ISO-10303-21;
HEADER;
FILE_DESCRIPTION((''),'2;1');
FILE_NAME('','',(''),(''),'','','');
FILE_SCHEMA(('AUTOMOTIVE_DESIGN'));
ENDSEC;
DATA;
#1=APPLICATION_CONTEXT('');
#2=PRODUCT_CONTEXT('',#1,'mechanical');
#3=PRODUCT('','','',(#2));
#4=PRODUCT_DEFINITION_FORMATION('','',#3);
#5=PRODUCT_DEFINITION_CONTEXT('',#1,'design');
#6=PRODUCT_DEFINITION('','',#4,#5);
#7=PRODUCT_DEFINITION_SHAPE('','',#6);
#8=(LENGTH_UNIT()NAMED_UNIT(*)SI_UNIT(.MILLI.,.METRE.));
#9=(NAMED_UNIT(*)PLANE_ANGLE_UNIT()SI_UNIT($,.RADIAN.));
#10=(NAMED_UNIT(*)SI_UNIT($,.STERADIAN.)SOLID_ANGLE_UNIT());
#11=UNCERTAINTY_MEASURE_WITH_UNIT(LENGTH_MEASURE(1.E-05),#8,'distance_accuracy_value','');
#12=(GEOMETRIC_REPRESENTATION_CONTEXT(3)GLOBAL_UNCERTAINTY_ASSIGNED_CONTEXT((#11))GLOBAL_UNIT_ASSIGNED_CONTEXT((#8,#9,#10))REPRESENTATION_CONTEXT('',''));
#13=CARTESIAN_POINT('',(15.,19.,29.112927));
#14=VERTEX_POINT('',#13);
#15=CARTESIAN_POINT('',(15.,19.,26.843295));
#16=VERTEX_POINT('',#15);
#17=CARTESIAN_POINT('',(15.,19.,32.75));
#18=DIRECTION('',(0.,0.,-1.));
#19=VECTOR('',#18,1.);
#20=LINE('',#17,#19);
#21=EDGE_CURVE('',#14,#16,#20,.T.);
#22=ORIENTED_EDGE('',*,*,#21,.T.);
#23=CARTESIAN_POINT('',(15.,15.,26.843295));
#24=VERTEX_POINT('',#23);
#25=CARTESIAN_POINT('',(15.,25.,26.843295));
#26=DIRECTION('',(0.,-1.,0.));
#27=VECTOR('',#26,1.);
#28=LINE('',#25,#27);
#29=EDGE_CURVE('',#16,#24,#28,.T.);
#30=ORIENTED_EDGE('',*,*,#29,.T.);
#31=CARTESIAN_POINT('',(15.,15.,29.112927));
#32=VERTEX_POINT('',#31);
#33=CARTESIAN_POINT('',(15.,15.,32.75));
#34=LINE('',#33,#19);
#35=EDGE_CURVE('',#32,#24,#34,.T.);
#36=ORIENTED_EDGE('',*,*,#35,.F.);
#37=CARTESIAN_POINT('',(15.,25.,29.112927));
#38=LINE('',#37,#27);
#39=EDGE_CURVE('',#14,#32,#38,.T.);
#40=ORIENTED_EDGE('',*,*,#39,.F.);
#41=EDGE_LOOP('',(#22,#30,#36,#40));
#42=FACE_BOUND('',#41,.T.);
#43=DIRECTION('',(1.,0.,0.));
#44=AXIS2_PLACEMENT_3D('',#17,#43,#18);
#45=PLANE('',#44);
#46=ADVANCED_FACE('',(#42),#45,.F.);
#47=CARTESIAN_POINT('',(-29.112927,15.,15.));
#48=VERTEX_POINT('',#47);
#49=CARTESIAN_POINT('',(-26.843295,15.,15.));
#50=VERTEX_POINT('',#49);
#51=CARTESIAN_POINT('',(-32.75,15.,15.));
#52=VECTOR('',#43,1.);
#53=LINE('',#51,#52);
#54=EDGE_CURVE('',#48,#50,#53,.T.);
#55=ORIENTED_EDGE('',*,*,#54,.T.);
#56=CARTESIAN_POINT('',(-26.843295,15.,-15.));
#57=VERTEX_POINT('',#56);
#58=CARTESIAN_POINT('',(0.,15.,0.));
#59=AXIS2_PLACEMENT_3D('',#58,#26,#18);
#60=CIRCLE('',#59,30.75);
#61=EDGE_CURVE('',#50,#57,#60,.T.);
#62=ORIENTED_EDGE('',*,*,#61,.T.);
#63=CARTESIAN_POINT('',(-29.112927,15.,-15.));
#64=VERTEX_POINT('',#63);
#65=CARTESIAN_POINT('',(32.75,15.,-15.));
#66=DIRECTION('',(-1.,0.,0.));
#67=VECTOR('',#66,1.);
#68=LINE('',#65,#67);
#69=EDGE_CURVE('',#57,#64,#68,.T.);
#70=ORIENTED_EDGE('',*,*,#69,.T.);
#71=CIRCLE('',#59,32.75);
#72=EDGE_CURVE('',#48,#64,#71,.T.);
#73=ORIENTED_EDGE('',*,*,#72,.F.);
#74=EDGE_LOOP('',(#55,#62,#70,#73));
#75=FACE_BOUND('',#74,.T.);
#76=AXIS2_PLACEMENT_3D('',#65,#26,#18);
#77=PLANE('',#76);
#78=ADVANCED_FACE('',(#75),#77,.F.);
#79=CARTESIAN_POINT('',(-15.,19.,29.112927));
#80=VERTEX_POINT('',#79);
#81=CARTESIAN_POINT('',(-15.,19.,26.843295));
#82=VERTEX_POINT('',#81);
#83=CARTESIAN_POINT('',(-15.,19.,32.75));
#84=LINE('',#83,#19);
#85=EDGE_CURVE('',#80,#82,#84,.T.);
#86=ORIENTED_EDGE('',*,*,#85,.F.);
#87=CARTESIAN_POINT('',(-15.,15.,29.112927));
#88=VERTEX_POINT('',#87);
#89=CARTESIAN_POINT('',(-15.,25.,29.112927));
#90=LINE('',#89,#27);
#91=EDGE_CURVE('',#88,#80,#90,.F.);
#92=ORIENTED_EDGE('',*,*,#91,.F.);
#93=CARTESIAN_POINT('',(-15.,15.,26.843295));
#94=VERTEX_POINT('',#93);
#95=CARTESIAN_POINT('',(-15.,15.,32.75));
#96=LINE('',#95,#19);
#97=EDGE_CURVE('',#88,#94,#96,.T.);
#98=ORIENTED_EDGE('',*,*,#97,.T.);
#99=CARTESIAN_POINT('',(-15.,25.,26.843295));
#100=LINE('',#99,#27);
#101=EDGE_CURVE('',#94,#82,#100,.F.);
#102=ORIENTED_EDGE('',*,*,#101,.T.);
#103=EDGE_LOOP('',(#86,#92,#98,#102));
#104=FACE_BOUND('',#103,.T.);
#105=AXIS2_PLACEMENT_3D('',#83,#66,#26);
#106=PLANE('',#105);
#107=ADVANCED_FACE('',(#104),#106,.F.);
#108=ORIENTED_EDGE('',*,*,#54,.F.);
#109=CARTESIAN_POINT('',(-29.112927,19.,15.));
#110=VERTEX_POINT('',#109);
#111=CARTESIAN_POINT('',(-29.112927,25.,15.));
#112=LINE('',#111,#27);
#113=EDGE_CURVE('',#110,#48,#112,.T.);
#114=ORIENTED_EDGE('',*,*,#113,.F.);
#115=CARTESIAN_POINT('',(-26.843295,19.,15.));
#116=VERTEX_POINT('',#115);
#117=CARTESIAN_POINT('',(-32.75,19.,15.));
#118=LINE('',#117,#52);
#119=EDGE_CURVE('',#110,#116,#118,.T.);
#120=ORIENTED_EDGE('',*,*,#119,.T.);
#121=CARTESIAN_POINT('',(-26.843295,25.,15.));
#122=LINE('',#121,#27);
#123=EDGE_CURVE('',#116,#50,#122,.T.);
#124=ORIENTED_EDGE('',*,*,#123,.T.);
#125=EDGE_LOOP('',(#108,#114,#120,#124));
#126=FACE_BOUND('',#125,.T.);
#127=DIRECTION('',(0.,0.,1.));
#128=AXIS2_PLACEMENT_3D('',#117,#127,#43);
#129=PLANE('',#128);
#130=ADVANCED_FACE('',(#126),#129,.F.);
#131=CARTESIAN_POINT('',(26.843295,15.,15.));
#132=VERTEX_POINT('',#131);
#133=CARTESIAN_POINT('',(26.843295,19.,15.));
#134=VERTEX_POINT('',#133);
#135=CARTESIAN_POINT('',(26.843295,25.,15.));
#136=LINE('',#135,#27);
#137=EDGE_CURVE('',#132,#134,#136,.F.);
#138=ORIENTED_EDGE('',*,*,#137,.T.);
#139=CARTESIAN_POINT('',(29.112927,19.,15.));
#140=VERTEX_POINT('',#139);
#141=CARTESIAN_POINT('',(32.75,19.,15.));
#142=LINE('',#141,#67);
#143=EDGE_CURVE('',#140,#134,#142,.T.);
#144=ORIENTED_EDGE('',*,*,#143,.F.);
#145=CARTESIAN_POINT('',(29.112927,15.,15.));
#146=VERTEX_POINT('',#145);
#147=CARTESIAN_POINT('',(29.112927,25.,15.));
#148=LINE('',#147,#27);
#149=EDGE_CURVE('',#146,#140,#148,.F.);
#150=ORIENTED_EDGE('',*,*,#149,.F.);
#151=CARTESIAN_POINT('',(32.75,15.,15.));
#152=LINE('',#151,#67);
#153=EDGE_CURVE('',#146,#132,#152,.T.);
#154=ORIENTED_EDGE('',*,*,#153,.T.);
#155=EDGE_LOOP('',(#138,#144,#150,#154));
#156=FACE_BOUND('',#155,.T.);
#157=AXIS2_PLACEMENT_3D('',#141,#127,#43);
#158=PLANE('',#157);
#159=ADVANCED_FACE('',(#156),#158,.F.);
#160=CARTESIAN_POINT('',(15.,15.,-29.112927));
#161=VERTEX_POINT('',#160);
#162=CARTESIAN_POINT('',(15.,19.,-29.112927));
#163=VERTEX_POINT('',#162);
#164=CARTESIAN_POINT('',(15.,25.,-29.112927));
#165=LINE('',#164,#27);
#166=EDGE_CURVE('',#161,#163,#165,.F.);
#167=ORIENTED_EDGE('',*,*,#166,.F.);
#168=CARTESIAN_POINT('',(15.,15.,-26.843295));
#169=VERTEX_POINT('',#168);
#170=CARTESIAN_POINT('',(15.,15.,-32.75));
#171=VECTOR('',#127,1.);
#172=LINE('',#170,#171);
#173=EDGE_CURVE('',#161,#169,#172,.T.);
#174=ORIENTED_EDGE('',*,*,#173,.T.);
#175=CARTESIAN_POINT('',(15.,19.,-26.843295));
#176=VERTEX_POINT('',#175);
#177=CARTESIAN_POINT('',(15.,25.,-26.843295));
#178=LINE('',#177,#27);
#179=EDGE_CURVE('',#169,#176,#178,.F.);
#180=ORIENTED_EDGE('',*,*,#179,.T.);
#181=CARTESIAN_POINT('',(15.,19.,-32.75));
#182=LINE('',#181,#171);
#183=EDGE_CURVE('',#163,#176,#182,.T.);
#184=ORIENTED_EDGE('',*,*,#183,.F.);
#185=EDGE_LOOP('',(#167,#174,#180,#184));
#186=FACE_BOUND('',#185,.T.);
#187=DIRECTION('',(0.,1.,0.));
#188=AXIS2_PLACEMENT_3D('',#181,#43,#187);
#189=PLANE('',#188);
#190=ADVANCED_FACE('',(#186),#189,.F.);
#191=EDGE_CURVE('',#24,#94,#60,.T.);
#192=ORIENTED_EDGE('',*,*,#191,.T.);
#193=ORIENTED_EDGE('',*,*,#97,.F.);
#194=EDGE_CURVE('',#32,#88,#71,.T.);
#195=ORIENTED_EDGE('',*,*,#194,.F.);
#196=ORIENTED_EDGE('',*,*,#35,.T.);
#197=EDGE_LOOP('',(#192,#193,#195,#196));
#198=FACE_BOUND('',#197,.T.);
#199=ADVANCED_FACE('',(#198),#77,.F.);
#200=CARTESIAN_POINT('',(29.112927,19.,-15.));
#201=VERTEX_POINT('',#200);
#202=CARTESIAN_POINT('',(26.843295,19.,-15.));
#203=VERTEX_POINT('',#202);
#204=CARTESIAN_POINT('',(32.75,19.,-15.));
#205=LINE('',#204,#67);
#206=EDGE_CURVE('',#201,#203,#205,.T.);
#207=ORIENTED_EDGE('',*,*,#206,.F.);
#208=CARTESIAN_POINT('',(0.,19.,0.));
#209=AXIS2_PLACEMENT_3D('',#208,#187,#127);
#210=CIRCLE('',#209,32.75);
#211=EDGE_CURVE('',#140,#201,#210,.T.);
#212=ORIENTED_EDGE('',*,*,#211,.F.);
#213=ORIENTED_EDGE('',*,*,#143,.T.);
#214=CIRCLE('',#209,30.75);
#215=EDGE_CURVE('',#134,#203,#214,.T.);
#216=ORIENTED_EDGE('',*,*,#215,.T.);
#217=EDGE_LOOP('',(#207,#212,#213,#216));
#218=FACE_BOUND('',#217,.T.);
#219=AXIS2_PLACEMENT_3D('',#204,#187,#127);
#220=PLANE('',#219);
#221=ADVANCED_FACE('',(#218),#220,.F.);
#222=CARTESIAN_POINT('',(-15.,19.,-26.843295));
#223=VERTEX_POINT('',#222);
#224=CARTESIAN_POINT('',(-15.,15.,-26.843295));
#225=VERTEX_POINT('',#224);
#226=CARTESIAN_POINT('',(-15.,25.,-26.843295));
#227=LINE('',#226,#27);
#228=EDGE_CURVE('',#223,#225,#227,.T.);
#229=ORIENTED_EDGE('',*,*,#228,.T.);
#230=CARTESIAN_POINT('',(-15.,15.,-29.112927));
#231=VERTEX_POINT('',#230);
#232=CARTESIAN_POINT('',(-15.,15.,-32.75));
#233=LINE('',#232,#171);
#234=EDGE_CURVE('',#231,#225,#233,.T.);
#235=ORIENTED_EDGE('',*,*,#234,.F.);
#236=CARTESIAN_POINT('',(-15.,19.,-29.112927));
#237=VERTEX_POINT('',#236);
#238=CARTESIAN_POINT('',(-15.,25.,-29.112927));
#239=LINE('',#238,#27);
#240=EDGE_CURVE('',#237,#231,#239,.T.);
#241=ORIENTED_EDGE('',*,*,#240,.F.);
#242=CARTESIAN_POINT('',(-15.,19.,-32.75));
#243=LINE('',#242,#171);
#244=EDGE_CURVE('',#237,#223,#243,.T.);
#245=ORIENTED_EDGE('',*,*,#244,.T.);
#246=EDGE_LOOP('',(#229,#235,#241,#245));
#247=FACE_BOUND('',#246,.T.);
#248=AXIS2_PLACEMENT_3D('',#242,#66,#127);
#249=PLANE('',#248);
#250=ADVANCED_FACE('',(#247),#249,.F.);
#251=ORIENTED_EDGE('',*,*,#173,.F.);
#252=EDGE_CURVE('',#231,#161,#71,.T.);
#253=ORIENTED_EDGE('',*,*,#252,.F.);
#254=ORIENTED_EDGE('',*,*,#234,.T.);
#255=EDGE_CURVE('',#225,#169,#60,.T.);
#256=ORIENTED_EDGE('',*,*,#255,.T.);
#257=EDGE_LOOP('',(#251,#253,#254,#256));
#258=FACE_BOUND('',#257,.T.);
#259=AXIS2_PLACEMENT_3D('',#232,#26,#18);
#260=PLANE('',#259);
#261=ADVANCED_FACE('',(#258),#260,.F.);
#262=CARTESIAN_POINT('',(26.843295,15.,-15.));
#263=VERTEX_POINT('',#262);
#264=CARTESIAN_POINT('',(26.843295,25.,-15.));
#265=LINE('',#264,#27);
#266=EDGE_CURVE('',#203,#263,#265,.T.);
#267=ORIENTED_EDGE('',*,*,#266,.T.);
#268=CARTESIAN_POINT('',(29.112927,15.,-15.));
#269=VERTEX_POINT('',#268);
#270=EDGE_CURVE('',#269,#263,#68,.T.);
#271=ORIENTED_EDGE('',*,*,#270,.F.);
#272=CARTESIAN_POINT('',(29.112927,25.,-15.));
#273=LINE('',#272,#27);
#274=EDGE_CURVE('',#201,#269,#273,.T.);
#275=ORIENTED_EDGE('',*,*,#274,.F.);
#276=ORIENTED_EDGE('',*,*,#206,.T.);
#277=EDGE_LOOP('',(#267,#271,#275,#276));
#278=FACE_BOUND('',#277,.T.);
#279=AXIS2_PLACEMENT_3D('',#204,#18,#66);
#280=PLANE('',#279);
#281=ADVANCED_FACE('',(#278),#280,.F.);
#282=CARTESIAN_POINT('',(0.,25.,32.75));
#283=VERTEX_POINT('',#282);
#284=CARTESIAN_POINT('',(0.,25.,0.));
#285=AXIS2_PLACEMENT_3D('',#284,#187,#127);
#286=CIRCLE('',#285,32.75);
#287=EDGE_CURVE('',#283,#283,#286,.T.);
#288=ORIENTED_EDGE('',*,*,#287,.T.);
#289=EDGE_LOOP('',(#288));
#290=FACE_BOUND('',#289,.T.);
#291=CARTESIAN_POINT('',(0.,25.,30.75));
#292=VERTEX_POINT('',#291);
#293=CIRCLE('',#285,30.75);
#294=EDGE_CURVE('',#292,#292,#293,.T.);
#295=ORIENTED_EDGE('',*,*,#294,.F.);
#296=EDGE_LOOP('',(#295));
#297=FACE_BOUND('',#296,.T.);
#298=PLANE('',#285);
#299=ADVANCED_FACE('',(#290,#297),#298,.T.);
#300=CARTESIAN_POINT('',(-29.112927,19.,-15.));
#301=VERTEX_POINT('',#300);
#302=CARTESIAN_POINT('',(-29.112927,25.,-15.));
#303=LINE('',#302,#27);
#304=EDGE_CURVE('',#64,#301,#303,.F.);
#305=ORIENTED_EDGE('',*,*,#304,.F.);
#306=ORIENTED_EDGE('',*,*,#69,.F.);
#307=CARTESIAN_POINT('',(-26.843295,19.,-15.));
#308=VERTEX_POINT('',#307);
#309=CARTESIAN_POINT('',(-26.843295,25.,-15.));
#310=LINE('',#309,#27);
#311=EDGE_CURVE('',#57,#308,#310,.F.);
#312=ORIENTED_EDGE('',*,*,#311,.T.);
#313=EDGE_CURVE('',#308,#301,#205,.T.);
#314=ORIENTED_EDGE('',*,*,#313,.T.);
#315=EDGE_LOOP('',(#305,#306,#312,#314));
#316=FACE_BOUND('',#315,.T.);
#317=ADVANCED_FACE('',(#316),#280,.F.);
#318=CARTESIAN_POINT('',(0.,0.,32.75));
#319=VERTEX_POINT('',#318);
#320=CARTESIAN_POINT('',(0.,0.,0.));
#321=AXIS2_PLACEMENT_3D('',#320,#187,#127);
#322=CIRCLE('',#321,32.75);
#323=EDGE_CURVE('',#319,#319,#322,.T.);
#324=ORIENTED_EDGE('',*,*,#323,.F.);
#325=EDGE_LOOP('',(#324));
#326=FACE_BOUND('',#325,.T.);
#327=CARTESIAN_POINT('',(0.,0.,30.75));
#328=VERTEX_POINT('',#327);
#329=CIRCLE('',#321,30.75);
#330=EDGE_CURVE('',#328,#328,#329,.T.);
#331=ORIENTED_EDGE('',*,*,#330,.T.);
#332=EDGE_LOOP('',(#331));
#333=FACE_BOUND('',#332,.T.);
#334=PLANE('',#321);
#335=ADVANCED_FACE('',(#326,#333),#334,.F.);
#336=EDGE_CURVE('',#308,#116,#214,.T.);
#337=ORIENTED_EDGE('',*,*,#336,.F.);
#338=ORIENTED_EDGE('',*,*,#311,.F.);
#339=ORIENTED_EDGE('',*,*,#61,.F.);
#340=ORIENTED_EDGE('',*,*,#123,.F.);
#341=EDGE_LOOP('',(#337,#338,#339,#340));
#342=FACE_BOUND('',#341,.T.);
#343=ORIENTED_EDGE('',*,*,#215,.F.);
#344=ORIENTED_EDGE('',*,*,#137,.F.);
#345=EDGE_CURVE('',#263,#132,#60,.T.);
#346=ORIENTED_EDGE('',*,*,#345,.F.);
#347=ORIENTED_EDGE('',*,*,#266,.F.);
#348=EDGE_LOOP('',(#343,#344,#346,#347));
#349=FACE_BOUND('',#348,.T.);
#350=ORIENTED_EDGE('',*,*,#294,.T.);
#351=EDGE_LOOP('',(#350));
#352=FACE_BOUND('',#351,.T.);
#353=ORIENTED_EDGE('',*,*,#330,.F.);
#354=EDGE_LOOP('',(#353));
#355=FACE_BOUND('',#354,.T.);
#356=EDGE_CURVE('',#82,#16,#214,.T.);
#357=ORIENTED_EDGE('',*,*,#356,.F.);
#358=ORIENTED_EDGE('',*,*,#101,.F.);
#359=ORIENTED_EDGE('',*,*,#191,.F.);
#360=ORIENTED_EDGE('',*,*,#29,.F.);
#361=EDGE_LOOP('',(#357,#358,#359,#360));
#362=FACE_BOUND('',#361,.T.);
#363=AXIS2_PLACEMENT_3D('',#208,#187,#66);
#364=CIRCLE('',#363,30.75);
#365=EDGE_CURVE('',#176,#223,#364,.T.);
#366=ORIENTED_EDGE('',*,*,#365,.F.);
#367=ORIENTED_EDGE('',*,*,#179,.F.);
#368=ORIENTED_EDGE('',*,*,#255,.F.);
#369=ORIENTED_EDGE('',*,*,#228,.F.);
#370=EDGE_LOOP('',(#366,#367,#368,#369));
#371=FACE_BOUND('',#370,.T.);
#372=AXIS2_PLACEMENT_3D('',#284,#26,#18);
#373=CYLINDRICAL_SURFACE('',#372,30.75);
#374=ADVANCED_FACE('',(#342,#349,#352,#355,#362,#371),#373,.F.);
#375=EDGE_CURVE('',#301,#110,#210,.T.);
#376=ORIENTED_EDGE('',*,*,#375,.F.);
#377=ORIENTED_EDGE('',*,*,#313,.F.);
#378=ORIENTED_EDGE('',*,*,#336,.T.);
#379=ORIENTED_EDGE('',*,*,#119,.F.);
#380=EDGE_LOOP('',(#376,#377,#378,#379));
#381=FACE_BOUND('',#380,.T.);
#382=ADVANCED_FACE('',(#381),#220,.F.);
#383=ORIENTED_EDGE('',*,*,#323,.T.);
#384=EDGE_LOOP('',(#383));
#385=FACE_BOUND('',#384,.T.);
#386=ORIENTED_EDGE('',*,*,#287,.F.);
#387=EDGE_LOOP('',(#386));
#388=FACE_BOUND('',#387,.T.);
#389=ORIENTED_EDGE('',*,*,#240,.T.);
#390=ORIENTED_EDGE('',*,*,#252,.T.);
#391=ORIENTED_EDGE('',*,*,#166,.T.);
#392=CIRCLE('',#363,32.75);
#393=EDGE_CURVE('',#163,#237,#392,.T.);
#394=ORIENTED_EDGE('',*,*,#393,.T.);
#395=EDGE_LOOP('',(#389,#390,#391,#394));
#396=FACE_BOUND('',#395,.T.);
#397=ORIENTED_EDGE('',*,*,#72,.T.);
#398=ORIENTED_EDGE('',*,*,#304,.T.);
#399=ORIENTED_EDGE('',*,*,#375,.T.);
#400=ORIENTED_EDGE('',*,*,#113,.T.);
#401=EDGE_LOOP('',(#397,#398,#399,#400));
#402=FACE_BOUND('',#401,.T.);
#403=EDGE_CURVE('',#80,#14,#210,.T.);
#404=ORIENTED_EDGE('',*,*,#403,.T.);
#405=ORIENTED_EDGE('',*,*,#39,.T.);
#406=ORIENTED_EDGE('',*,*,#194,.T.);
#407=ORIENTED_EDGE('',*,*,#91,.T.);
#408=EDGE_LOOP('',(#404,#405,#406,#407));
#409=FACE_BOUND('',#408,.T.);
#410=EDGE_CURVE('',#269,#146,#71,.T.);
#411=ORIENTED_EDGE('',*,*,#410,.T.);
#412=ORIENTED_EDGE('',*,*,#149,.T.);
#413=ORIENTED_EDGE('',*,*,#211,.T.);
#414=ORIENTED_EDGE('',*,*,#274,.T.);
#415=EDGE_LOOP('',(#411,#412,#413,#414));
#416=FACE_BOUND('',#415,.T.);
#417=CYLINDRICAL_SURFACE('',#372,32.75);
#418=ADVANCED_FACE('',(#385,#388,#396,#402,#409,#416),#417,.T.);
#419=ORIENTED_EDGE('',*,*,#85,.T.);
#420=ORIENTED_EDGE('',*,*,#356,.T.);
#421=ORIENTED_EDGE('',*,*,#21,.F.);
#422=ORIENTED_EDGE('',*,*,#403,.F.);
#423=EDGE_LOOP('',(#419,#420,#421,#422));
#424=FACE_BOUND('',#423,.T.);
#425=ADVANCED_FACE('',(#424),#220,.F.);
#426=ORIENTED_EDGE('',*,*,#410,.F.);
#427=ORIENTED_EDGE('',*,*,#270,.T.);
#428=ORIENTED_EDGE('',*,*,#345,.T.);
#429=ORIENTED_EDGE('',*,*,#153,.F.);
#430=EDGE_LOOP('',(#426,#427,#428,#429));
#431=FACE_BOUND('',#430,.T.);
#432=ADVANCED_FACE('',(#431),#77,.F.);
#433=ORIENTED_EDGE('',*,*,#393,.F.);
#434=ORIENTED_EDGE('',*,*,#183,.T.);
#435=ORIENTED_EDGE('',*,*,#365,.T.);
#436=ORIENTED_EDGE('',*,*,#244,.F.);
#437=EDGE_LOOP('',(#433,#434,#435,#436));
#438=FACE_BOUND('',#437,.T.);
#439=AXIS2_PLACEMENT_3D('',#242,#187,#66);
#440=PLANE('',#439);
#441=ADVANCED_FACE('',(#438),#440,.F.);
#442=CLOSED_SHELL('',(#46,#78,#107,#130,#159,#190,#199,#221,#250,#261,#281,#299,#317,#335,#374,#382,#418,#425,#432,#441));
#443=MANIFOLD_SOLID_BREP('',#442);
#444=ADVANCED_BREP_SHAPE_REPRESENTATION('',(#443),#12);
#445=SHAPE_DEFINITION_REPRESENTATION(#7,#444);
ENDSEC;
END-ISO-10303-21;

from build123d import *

# Parameters (mm, degrees)
ESQUISSE1_R                  = 32.75
ESQUISSE1_R_2                = 30.75
BOSS_EXTRU_1_DEPTH           = 25
ESQUISSE2_W                  = 30
ESQUISSE2_H                  = 4
ENL_V_MAT_EXTRU_1_DEPTH      = 53.631976972
R_P_TITION_CIRCULAIRE1_COUNT = 4


with BuildPart() as part:
    # Esquisse1 → Boss.-Extru.1 (new body)
    with BuildSketch(Plane(origin=(0, 0, 0), x_dir=(1, 0, 0), z_dir=(0, 1, 0))):
        with Locations(Location((0, 0, 0), (0, 0, 270))):
            Circle(ESQUISSE1_R)
        with Locations(Location((0, 0, 0), (0, 0, 270))):
            Circle(ESQUISSE1_R_2, mode=Mode.SUBTRACT)
    extrude(amount=BOSS_EXTRU_1_DEPTH)

    # Esquisse2 → Enlèv. mat.-Extru.1 (cut, through all)
    with BuildSketch(Plane.XY):
        with Locations((0, 17)):
            Rectangle(ESQUISSE2_W, ESQUISSE2_H)
    enl_v_mat_extru_1 = extrude(amount=-ENL_V_MAT_EXTRU_1_DEPTH, mode=Mode.SUBTRACT)

    # Répétition circulaire1: Enlèv. mat.-Extru.1 ×4 about axis
    r_p_tition_circulaire1_axis = Axis((0, 0, 0), (0, 1, 0))
    for i in range(1, R_P_TITION_CIRCULAIRE1_COUNT):
        add(enl_v_mat_extru_1.rotate(r_p_tition_circulaire1_axis, i * 360 / R_P_TITION_CIRCULAIRE1_COUNT), mode=Mode.SUBTRACT)


solid = part.part
